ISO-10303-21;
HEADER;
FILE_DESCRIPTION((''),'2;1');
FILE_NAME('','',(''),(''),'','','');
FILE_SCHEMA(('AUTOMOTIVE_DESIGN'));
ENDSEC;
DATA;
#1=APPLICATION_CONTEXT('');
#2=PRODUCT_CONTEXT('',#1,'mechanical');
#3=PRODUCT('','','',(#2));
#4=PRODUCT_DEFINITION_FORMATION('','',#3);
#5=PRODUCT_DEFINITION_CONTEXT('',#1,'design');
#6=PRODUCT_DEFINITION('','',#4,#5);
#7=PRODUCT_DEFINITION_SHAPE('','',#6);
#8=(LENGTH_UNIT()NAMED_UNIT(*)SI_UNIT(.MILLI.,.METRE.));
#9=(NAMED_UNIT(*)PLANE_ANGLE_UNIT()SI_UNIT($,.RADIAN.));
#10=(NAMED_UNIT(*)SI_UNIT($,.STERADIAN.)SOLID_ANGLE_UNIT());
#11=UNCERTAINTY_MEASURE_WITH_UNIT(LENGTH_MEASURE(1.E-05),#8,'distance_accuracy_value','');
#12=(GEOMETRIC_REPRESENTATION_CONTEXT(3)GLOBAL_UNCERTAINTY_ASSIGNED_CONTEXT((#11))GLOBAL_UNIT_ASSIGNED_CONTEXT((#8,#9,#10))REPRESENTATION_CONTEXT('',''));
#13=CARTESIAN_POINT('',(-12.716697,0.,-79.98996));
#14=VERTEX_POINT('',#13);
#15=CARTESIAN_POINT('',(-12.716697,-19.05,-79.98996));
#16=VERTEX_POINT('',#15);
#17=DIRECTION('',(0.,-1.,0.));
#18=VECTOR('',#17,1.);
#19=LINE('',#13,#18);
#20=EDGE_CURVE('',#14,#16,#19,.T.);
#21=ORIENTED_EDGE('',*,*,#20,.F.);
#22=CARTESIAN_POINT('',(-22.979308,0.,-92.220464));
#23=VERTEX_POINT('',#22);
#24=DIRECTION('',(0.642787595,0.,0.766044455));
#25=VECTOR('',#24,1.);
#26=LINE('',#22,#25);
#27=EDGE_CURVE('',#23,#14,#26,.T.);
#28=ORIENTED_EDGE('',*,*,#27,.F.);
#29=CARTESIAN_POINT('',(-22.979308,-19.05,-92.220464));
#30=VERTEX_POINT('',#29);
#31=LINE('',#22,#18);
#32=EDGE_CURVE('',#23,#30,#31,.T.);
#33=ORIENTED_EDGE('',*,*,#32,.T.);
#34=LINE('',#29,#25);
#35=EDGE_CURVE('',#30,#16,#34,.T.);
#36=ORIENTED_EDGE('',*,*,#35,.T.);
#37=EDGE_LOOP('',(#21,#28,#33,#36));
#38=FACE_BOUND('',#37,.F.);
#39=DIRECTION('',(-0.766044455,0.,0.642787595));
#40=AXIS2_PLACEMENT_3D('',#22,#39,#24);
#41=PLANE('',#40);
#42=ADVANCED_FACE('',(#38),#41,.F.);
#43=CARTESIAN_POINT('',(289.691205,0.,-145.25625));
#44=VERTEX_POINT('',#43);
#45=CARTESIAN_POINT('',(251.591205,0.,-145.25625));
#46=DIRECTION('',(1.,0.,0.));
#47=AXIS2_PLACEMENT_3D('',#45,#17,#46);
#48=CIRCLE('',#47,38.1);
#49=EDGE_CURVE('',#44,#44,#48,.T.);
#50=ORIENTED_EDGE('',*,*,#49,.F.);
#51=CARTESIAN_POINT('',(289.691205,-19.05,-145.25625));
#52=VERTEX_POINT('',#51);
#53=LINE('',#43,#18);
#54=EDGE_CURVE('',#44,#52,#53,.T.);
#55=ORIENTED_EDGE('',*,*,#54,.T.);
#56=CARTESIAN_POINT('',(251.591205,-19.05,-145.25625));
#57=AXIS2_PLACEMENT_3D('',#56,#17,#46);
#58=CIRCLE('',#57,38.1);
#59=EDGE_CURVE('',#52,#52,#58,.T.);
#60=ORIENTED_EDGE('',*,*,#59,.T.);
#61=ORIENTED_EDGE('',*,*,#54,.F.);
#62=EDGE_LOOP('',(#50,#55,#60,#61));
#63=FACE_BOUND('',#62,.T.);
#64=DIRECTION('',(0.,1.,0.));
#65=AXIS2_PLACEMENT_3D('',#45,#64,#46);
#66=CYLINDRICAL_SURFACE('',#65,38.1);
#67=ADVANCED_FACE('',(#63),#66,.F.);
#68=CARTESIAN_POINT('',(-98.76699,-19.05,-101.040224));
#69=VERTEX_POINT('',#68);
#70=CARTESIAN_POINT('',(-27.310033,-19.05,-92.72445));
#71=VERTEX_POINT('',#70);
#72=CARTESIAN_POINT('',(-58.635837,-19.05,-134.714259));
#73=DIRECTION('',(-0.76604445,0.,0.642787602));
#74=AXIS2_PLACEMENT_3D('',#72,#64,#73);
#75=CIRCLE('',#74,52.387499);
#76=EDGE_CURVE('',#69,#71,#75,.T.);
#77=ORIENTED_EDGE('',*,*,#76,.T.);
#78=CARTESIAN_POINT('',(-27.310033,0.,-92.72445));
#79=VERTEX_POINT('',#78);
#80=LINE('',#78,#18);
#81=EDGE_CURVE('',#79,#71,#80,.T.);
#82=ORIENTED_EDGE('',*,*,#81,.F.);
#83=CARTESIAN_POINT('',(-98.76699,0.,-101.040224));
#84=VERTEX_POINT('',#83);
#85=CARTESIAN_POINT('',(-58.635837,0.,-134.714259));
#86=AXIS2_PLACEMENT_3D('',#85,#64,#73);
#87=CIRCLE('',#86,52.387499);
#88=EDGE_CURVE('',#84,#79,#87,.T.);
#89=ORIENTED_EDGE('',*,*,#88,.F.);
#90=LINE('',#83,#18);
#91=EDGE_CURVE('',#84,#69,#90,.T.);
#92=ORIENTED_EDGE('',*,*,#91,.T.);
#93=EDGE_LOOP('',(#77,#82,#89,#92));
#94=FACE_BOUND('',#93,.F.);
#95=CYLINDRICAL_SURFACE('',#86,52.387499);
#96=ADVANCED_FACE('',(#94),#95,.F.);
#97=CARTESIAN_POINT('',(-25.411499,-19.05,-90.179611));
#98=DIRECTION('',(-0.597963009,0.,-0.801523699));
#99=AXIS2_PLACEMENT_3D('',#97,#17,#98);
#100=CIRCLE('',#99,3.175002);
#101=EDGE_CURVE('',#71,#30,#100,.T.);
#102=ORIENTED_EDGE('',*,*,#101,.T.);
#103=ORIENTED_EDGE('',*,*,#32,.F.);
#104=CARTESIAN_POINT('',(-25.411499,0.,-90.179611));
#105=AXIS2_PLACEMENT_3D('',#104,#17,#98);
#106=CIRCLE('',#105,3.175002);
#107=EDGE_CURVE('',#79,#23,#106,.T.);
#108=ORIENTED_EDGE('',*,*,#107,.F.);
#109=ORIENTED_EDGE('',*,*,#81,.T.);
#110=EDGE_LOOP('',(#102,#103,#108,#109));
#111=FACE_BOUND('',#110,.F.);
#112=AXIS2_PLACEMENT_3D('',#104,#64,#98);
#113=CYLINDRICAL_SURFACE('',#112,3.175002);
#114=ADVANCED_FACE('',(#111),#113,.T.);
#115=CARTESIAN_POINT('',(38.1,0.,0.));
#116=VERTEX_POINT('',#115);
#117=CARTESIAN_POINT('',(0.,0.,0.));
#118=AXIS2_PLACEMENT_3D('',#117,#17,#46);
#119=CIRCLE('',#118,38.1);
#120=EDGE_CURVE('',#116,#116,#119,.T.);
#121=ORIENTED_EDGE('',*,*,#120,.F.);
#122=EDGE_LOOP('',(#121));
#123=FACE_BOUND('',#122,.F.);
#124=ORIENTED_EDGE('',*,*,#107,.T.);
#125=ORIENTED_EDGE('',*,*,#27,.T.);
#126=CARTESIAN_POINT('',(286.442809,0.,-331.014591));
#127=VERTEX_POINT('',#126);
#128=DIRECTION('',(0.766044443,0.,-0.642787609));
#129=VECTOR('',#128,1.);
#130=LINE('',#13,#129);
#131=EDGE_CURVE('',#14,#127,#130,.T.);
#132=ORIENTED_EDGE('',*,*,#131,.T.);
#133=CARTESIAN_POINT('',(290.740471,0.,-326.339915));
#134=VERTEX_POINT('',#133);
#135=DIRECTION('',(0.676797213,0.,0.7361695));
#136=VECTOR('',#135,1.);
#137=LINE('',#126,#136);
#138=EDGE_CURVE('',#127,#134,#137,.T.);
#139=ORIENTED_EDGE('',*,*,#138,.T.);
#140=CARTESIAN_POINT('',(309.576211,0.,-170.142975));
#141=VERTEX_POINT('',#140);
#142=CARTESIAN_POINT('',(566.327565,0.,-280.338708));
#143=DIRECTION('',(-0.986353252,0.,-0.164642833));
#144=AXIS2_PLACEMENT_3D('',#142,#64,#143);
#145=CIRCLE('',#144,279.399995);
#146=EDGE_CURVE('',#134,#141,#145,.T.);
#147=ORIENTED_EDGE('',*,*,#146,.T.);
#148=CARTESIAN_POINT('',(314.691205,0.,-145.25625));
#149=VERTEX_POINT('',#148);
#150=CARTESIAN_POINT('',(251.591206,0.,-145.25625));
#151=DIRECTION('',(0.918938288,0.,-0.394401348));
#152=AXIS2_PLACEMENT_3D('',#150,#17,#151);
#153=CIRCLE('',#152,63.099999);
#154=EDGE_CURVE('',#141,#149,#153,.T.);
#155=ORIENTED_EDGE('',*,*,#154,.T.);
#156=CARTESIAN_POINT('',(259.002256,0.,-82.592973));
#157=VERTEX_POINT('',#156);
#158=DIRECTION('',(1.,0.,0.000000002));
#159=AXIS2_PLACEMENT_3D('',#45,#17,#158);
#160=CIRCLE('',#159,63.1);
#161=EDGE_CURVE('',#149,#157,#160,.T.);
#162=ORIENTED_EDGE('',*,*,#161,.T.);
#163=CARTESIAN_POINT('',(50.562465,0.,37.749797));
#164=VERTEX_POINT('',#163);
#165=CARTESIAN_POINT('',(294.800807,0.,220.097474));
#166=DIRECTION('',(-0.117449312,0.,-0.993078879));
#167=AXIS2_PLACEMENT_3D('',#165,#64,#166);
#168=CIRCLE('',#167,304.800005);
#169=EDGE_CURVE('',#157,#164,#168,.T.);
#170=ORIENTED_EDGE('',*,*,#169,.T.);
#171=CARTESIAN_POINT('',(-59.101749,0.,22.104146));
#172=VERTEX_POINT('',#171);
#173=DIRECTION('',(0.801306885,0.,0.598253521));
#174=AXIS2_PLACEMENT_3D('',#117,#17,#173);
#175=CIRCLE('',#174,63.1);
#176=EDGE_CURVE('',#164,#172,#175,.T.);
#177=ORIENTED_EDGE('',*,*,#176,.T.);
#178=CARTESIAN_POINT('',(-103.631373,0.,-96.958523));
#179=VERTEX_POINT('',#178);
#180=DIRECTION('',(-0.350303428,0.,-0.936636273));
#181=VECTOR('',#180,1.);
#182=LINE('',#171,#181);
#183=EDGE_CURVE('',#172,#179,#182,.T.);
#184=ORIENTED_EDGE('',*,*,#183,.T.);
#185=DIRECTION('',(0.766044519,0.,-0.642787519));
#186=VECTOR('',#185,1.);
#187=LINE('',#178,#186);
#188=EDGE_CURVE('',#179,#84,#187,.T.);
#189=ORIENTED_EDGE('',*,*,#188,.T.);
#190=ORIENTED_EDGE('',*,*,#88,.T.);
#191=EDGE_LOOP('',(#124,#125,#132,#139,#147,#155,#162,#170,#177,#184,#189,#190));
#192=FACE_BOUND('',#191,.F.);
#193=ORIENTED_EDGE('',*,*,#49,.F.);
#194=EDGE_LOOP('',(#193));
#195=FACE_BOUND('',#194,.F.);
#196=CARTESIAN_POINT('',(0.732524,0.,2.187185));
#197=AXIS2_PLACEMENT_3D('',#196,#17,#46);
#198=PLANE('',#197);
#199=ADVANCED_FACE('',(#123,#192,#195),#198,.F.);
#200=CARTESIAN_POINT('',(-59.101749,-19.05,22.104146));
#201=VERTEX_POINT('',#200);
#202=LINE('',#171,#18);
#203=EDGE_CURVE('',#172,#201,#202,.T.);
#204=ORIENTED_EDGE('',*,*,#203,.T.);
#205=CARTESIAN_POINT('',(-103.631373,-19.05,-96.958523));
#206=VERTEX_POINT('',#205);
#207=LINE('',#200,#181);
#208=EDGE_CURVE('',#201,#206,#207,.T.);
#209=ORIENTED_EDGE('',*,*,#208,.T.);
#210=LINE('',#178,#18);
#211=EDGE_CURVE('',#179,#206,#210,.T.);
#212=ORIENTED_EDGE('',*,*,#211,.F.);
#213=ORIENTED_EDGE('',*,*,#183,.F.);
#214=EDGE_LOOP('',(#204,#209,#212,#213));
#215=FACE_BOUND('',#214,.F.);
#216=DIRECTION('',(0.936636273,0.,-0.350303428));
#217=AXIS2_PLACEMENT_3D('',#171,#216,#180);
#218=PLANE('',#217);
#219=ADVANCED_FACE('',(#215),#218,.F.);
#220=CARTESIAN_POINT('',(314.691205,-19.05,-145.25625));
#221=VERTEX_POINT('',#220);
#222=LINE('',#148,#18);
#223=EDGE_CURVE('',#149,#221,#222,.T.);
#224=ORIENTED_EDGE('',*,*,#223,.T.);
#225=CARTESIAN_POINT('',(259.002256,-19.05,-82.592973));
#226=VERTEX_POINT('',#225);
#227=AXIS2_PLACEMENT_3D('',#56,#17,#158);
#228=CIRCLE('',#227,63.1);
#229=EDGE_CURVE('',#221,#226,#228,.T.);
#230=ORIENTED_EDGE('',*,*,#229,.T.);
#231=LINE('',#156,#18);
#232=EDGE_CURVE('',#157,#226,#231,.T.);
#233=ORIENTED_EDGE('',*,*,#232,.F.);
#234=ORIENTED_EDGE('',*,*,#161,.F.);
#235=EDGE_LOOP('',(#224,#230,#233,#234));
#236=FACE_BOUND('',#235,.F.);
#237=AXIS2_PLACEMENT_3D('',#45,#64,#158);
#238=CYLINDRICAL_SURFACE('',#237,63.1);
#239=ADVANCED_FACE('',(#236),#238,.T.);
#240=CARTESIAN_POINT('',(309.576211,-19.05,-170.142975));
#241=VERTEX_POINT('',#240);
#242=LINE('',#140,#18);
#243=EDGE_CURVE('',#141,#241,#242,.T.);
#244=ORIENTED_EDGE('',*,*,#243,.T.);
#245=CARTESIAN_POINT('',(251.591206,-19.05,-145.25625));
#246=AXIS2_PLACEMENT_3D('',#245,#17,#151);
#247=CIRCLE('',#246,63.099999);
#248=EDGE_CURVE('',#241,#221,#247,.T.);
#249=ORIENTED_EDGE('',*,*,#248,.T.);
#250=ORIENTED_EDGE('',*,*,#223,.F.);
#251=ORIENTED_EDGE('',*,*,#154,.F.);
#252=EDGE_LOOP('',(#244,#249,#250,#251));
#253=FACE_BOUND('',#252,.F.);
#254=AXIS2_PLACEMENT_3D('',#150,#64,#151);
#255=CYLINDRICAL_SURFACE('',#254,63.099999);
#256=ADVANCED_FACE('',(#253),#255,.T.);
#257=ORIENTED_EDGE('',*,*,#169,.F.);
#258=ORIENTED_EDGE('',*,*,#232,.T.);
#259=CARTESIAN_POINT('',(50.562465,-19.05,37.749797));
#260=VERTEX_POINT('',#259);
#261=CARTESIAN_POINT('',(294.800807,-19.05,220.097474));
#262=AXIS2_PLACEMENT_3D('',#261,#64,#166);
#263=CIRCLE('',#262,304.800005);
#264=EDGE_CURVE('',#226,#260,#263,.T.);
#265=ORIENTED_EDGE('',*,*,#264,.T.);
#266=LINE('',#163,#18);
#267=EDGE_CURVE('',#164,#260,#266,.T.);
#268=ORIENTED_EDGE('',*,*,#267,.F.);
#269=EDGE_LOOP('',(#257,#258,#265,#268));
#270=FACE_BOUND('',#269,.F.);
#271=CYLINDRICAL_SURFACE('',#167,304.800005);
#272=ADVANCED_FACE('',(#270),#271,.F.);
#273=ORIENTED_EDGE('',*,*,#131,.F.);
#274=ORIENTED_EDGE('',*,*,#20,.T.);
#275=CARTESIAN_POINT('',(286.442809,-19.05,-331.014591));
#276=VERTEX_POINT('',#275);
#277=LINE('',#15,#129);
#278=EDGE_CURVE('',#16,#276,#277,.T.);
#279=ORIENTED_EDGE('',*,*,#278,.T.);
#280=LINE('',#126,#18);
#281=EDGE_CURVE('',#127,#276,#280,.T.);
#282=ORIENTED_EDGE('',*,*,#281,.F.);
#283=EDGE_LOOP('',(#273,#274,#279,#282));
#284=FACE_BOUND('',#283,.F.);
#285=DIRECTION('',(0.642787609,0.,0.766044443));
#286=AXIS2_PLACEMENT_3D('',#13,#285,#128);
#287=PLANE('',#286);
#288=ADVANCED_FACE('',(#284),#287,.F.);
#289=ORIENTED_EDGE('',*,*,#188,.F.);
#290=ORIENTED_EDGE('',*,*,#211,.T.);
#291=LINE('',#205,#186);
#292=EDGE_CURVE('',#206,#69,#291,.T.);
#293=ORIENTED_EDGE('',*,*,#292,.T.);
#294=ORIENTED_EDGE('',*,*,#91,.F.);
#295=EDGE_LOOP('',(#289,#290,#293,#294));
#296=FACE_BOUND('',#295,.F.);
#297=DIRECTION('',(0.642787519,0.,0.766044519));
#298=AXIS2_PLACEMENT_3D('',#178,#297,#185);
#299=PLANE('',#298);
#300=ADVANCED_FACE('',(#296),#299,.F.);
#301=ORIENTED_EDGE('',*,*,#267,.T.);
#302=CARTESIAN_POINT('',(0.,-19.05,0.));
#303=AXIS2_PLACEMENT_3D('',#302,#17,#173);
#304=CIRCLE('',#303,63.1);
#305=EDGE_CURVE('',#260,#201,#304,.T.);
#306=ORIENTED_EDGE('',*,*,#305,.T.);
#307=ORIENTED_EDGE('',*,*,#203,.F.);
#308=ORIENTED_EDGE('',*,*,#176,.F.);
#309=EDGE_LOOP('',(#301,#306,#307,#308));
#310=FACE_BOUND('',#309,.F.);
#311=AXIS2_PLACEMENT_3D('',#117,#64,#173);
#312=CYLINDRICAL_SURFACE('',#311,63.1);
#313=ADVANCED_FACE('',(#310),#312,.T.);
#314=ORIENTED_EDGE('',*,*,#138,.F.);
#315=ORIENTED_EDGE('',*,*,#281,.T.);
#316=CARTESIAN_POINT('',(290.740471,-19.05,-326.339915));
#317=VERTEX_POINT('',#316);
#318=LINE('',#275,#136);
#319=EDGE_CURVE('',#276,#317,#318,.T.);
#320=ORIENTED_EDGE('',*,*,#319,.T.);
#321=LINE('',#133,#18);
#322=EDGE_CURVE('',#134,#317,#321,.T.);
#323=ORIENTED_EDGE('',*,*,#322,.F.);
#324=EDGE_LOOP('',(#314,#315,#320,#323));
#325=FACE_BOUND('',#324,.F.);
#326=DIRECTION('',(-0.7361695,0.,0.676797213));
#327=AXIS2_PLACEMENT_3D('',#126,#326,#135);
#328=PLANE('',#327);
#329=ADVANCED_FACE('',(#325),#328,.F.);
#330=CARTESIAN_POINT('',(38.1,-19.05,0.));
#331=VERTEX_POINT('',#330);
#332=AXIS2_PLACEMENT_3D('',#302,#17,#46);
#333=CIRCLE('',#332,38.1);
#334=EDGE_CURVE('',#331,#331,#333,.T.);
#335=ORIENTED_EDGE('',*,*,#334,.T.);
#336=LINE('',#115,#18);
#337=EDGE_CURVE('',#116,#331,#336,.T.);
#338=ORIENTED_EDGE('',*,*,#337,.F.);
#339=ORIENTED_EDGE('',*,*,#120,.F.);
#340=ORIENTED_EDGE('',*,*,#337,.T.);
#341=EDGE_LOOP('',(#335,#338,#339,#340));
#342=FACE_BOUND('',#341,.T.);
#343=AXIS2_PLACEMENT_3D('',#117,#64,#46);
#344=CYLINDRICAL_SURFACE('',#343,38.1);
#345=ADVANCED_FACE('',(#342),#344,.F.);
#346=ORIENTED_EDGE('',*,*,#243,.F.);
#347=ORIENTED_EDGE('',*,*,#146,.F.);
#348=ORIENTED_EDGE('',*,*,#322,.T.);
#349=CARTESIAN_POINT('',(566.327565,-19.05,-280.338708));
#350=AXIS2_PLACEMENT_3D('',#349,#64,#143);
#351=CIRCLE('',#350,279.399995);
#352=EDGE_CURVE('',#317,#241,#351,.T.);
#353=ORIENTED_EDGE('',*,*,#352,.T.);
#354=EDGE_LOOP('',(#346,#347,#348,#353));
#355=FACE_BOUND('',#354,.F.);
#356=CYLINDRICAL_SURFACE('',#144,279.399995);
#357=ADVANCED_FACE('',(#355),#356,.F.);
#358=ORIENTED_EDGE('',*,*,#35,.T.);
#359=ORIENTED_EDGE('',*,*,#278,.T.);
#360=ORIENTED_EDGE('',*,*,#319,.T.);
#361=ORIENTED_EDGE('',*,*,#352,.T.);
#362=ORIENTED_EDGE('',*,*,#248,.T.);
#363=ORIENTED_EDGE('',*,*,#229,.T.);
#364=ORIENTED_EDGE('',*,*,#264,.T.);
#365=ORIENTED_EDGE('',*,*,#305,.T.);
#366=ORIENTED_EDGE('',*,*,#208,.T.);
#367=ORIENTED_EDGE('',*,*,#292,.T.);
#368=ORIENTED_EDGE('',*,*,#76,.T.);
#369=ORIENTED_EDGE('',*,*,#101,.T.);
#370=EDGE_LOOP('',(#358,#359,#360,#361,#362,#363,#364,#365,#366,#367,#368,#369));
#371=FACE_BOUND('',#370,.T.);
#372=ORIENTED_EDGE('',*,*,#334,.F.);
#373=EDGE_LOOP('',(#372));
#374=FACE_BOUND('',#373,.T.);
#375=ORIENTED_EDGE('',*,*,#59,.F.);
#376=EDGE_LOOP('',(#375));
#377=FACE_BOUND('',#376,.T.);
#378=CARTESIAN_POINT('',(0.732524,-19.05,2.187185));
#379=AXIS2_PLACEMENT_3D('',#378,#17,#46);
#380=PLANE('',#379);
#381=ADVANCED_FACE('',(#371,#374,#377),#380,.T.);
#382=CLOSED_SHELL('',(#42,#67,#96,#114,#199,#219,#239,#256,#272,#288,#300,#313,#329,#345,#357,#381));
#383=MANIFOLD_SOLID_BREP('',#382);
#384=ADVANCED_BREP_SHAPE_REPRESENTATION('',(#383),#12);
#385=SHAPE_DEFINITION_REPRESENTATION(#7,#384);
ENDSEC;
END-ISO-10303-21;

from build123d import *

# Parameters (mm, degrees)
F1_R     = 38.1
F2_DEPTH = 19.05


with BuildPart() as f2:
    # F1 (on Front) → F2 (new body)
    with BuildSketch(Plane.XZ):
        with BuildLine():
            ThreePointArc((-59.101749, 22.104146), (-11.231421, -62.092392), (63.1, 0))
            ThreePointArc((63.1, 0), (59.883643, 19.888671), (50.562465, 37.749797))
            ThreePointArc((50.562465, 37.749797), (-8.912151, 62.46746), (-59.101749, 22.104146))
        make_face()
        Circle(F1_R, mode=Mode.SUBTRACT)
        with BuildLine():
            ThreePointArc((50.562465, 37.749797), (59.883643, 19.888671), (63.1, 0))
            ThreePointArc((63.1, 0), (-11.231421, -62.092392), (-59.101749, 22.104146))
            Line((-59.101749, 22.104146), (-103.631373, -96.958523))
            Line((-103.631373, -96.958523), (-98.76699, -101.040224))
            ThreePointArc((-98.76699, -101.040224), (-64.691543, -82.67794), (-27.310033, -92.72445))
            ThreePointArc((-27.310033, -92.72445), (-25.044487, -93.333329), (-22.979308, -92.220464))
            Line((-22.979308, -92.220464), (-12.716697, -79.98996))
            Line((-12.716697, -79.98996), (286.442809, -331.014591))
            Line((286.442809, -331.014591), (290.740471, -326.339915))
            ThreePointArc((290.740471, -326.339915), (288.937178, -246.888288), (309.576211, -170.142975))
            ThreePointArc((309.576211, -170.142975), (196.952283, -176.818858), (259.002256, -82.592973))
            ThreePointArc((259.002256, -82.592973), (142.400804, -43.867073), (50.562465, 37.749797))
        make_face()
        with BuildLine():
            ThreePointArc((314.691205, -145.25625), (298.757121, -103.339829), (259.002256, -82.592973))
            ThreePointArc((259.002256, -82.592973), (196.952283, -176.818858), (309.576211, -170.142975))
            ThreePointArc((309.576211, -170.142975), (313.39923, -157.959716), (314.691205, -145.25625))
        make_face()
        with Locations((251.591205, -145.25625)):
            Circle(F1_R, mode=Mode.SUBTRACT)
    extrude(amount=F2_DEPTH)


solid = f2.part
